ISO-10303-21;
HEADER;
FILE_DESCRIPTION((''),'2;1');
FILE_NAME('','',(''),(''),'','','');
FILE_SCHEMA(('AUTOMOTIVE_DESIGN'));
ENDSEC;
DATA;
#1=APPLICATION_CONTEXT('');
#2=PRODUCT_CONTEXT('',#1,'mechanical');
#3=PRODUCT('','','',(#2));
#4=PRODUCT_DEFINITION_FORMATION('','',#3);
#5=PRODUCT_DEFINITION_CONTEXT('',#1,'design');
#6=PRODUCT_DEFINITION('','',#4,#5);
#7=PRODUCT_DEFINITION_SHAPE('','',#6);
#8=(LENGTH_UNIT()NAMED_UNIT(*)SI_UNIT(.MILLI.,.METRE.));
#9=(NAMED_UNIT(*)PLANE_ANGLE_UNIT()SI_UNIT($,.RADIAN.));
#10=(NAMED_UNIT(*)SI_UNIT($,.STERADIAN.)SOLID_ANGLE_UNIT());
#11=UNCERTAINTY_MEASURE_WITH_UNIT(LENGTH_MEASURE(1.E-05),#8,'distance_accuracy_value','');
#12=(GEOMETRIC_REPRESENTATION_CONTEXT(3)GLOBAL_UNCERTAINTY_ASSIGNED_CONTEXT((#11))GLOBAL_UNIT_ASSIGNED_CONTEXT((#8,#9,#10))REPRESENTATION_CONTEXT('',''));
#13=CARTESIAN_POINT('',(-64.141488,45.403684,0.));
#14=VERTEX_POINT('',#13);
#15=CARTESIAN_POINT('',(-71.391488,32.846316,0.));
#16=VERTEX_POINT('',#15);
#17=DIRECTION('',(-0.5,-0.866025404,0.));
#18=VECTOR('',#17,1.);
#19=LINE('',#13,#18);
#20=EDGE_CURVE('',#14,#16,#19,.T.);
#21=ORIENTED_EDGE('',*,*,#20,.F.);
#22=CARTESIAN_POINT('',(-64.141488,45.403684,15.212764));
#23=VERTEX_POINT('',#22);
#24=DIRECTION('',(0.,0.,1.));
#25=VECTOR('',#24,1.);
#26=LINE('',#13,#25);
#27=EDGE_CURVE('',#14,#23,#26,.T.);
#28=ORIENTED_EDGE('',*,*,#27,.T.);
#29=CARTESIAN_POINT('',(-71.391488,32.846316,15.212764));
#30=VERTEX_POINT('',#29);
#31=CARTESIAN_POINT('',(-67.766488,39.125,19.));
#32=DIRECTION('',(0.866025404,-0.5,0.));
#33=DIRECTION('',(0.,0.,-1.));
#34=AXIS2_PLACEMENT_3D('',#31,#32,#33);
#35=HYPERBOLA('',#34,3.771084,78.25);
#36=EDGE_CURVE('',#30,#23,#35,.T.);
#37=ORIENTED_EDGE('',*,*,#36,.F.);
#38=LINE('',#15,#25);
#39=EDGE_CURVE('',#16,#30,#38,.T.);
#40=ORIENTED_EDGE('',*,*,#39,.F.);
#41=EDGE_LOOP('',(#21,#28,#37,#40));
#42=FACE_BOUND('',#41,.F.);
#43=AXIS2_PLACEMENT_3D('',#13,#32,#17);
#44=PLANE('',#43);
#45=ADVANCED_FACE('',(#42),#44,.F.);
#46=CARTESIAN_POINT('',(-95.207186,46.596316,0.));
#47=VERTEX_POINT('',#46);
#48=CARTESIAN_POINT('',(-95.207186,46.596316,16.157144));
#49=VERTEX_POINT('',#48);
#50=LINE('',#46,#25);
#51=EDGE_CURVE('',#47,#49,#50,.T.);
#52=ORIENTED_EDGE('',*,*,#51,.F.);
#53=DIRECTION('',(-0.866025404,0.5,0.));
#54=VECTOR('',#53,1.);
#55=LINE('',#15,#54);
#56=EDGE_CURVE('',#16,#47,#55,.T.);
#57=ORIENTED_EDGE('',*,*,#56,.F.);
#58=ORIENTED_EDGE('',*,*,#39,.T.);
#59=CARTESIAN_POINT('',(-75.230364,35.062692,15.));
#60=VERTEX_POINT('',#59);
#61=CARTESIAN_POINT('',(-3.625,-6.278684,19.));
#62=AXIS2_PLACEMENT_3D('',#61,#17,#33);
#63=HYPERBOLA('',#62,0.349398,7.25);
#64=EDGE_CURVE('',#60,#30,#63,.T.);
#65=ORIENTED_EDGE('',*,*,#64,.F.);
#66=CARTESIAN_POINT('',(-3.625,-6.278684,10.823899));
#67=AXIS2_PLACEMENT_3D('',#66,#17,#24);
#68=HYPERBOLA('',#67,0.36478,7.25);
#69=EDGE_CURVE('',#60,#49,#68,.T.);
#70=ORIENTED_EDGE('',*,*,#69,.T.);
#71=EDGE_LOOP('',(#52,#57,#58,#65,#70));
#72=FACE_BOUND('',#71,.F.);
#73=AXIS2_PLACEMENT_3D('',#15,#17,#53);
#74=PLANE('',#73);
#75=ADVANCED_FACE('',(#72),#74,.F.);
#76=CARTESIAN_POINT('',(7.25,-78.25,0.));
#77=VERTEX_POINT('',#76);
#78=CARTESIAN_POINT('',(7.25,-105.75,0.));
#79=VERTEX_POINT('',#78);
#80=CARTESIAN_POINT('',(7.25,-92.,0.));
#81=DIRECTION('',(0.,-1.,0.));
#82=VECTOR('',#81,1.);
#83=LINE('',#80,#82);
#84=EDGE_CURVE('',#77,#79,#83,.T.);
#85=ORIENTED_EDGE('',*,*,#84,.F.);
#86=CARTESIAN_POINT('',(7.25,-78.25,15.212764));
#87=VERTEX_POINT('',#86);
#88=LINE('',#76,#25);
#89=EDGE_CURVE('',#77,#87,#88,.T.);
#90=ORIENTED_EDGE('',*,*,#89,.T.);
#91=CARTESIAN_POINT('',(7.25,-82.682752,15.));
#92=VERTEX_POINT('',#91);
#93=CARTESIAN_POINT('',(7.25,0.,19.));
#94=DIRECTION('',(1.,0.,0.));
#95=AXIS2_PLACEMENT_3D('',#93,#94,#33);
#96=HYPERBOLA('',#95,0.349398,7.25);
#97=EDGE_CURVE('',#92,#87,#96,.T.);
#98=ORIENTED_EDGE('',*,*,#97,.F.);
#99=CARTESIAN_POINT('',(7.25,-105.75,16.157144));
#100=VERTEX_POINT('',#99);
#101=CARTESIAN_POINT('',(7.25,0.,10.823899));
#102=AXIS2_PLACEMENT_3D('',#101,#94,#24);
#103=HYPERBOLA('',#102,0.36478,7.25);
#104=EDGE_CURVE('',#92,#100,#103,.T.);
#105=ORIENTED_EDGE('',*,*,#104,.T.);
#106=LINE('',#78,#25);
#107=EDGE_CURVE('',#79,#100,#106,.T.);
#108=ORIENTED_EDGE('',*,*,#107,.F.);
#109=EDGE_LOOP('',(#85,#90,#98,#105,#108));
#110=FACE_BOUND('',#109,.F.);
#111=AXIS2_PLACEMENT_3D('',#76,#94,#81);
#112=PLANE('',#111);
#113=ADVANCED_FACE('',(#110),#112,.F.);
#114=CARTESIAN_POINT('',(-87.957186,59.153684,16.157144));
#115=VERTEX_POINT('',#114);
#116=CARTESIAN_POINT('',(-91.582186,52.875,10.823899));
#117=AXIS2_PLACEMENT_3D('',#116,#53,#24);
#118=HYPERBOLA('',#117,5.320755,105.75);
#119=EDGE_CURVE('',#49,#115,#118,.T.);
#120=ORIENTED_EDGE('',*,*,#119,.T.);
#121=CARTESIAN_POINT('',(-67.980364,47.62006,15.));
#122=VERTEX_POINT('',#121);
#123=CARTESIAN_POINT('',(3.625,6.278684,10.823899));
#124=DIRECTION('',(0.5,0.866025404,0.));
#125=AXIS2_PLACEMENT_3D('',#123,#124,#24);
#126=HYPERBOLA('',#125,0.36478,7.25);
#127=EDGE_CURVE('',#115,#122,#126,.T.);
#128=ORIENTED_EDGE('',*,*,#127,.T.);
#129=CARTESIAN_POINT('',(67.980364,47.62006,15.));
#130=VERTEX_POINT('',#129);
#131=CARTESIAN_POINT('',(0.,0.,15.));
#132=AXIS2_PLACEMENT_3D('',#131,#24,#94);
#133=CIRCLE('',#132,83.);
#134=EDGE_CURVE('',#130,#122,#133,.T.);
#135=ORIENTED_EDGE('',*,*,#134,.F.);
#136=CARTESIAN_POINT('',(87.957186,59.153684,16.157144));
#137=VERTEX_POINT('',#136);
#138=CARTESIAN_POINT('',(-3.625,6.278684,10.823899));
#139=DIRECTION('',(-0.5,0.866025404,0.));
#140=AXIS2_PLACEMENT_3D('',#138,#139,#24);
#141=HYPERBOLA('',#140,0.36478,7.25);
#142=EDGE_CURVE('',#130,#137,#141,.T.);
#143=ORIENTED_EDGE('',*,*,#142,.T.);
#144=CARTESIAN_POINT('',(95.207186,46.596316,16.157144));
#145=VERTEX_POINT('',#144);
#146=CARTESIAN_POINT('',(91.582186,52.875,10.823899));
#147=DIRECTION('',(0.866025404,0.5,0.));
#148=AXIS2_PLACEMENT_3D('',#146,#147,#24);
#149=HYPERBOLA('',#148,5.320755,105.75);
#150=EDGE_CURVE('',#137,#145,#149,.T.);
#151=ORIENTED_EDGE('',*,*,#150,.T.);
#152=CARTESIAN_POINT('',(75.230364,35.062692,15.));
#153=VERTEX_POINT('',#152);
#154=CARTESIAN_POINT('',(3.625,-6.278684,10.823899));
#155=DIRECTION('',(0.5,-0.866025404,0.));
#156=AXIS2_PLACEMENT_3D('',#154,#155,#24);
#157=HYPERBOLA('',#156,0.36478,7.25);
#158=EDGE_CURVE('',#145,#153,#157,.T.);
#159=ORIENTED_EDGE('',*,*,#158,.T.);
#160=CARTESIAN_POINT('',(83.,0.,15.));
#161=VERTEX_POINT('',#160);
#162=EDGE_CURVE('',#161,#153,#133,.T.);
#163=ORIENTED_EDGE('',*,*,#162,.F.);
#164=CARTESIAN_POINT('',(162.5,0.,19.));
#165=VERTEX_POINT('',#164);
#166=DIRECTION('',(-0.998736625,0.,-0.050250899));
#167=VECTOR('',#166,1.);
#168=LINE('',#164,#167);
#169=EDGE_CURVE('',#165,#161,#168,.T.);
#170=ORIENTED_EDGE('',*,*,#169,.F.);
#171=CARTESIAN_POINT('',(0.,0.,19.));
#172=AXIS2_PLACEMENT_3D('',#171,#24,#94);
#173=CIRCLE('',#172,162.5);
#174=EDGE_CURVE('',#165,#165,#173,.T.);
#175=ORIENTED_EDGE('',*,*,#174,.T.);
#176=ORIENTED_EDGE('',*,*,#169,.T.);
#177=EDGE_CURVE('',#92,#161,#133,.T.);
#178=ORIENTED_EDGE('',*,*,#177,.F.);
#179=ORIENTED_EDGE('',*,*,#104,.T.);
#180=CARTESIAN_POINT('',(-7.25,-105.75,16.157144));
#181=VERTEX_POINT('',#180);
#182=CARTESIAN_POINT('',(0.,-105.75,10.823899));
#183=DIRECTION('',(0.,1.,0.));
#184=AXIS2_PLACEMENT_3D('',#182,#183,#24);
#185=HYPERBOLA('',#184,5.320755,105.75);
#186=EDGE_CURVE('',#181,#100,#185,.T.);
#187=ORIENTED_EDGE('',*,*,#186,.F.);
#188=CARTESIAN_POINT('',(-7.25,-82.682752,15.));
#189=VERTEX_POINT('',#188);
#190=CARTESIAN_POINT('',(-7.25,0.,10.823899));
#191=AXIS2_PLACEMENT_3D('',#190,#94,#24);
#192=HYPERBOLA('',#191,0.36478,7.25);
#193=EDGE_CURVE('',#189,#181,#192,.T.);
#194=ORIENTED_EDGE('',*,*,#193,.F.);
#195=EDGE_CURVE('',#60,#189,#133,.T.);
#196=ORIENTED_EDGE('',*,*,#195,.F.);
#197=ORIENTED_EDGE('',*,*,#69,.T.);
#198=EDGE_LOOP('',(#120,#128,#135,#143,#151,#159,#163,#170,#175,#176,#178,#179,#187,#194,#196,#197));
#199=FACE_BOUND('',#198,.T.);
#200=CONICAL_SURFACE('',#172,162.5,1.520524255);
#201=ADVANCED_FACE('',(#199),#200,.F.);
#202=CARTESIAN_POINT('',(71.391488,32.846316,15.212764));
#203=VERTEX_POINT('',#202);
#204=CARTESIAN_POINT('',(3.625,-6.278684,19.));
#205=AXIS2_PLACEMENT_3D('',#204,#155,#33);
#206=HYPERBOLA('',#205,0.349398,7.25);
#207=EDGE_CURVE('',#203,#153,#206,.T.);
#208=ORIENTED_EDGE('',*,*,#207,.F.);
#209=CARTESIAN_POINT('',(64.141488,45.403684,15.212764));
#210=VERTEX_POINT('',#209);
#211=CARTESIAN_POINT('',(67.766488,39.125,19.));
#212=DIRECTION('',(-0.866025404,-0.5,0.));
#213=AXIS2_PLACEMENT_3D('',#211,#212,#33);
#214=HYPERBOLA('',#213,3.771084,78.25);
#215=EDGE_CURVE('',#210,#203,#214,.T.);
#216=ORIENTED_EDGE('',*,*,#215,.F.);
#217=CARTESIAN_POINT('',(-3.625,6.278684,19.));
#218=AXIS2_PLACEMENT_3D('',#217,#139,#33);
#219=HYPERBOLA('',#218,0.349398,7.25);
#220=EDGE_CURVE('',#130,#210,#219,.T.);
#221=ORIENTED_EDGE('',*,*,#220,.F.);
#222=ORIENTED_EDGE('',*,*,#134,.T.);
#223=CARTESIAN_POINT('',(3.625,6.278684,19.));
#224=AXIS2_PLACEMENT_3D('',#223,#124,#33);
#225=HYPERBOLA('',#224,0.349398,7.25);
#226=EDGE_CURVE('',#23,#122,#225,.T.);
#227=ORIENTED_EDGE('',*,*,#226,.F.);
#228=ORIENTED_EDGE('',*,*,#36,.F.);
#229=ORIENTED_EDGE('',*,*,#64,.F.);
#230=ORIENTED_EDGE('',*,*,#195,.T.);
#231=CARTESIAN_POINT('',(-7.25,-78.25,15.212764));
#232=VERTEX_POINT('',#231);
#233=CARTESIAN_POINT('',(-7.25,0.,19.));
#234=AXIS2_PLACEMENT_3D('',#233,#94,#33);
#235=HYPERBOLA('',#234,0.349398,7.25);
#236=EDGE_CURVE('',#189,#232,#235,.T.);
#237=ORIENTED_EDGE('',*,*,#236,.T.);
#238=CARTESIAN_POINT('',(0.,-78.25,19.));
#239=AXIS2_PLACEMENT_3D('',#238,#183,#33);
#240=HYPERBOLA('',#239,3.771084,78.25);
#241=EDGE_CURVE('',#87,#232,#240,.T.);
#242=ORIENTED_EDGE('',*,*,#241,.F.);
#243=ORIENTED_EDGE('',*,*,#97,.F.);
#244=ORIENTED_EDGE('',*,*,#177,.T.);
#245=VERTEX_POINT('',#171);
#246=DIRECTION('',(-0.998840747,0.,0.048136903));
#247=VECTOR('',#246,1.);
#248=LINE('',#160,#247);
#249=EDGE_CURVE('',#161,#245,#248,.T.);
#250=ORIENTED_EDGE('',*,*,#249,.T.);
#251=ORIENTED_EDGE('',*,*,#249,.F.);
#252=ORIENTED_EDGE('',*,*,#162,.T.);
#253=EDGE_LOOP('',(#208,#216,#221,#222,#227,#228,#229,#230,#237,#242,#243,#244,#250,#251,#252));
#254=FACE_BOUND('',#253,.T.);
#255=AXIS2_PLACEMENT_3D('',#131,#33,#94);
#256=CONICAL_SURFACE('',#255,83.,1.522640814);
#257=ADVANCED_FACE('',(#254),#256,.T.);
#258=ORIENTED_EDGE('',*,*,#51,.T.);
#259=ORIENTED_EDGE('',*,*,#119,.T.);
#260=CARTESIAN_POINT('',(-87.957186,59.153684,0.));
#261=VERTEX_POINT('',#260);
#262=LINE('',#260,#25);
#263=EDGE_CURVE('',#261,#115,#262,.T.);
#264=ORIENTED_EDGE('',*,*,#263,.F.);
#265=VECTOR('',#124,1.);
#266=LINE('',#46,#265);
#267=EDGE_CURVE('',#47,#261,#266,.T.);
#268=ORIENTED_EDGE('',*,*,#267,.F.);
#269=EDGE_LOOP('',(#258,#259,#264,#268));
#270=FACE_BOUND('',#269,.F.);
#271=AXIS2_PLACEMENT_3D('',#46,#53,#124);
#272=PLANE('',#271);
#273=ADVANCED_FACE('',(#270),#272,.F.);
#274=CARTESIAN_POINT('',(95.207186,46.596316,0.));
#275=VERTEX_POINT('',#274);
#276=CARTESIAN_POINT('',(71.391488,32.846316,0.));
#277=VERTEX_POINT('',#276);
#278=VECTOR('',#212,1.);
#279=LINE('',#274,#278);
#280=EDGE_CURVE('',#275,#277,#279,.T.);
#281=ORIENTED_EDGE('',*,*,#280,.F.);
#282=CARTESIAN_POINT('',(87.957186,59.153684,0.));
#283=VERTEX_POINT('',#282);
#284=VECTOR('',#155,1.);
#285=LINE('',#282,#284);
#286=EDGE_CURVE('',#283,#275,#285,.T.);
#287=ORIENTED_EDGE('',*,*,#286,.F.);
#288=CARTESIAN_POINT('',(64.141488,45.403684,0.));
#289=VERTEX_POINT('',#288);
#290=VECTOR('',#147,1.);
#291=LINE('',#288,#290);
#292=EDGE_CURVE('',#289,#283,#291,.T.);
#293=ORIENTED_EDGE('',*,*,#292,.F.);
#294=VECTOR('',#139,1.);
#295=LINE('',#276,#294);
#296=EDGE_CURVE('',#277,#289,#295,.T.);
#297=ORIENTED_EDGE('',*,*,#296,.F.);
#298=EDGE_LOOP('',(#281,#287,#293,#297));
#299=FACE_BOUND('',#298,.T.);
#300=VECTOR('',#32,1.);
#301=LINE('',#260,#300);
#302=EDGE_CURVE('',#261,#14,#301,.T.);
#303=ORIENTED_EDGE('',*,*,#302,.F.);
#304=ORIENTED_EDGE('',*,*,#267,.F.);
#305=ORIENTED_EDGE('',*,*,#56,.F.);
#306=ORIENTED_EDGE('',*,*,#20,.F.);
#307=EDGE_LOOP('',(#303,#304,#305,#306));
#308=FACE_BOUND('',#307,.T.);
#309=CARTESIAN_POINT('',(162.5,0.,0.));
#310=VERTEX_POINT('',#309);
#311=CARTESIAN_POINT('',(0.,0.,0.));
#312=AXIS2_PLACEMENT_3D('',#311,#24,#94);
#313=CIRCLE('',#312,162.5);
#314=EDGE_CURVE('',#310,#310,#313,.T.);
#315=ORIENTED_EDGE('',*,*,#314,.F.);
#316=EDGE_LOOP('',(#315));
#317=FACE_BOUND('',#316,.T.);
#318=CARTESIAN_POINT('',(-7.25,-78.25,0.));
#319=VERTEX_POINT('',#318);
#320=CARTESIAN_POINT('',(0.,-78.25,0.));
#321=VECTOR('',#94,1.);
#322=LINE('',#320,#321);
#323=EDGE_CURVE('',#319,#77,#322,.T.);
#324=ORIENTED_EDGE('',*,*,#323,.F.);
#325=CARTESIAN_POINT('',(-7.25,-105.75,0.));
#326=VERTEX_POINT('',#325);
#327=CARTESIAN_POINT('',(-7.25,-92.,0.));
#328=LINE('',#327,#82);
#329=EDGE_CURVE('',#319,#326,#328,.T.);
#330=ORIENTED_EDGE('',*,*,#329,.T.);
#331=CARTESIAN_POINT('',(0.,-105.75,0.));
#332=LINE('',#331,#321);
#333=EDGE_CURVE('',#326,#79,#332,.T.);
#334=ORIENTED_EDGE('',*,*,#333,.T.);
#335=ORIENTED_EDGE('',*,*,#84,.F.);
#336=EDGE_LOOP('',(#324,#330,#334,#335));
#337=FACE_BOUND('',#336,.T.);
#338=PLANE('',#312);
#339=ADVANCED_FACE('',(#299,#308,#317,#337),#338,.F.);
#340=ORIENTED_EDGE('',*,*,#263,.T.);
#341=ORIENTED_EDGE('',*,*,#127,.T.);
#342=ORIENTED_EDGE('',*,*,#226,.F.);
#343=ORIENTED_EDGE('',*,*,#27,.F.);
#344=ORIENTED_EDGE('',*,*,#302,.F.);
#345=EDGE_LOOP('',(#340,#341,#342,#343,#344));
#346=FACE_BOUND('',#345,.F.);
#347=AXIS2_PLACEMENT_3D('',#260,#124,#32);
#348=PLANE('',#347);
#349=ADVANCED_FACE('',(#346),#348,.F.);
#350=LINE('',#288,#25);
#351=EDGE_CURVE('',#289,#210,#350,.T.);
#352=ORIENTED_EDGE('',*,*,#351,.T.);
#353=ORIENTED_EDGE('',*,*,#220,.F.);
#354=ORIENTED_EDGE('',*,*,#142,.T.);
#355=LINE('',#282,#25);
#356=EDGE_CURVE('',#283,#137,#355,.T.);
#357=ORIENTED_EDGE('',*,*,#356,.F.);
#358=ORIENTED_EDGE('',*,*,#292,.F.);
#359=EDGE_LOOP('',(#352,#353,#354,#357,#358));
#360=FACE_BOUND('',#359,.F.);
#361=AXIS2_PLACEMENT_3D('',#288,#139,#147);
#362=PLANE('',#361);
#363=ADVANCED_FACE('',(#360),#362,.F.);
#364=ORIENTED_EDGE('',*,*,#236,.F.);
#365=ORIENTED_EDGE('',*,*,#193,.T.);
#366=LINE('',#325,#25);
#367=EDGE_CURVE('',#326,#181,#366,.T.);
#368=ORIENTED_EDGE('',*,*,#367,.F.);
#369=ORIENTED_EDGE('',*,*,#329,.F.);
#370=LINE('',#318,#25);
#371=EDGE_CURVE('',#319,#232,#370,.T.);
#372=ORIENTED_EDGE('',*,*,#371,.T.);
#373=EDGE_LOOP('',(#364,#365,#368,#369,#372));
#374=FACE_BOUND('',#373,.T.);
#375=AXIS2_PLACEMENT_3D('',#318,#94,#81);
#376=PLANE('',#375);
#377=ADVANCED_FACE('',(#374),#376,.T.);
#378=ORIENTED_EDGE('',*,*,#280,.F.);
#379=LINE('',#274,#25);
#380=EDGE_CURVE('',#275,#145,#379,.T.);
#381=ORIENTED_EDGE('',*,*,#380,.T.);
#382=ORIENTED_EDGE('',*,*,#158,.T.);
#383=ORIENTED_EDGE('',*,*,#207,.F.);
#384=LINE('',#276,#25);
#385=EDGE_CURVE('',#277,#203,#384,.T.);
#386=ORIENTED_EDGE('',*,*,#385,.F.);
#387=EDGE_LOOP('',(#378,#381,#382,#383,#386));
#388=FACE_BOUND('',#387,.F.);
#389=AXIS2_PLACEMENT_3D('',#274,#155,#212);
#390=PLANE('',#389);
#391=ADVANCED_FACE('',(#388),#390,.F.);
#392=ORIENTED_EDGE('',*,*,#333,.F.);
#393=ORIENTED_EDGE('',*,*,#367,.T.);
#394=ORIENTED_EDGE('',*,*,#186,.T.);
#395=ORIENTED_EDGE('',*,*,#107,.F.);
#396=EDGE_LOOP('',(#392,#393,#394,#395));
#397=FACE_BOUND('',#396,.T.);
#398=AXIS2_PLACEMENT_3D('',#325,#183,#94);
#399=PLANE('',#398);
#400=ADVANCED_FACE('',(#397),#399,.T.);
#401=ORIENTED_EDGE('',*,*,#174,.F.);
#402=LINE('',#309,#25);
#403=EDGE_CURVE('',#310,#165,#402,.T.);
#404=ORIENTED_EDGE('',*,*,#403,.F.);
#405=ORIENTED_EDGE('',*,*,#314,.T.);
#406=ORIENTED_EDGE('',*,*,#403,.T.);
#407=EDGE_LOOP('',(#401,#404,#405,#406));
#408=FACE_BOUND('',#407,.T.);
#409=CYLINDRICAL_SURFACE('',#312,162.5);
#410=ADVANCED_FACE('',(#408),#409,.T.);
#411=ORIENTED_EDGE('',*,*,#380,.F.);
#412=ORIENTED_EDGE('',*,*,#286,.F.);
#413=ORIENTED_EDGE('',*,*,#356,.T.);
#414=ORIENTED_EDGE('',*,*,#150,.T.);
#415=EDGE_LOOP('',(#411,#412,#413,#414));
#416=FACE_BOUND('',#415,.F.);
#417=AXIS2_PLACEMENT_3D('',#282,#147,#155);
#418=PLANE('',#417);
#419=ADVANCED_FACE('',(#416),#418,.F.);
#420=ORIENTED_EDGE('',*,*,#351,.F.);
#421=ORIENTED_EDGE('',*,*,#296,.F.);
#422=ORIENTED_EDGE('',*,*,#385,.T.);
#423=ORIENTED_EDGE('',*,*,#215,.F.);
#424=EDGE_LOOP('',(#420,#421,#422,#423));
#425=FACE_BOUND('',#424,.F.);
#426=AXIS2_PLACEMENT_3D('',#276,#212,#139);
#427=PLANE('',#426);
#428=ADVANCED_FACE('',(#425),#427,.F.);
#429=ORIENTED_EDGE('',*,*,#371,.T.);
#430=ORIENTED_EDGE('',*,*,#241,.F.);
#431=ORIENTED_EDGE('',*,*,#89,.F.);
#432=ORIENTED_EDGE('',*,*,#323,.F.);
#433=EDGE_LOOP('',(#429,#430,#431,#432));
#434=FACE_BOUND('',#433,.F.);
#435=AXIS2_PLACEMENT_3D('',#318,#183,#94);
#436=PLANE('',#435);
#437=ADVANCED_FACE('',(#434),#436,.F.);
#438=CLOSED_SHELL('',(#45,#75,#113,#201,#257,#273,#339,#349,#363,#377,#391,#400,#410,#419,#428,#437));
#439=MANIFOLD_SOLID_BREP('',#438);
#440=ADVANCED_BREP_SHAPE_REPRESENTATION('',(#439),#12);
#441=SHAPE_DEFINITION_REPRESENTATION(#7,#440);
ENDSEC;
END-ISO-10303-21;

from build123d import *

# Parameters (mm, degrees)
F2_W     = 14.5
F2_H     = 27.5
F3_DEPTH = 16.158143704


with BuildPart() as f1:
    # F0 (on Front) → F1 (revolve)
    with BuildSketch(Plane.XZ):
        Polygon((0, 19), (0, 0), (162.5, 0), (162.5, 19), (83, 15), align=None)
    revolve(axis=Axis((0, 0, 9.5), (0, 0, 1)))

    # F2 (on face) → F3 (cut, through all)
    with BuildSketch(Plane(origin=(0, 0, 0), x_dir=(1, 0, 0), z_dir=(0, 0, -1))):
        with Locations((0, 92)):
            Rectangle(F2_W, F2_H)
        Polygon((-71.3914878461, -32.8463158226), (-95.2071864502, -46.5963158226), (-87.9571864502, -59.1536841774), (-64.1414878461, -45.4036841774), align=None)
        Polygon((64.1414878461, -45.4036841774), (87.9571864502, -59.1536841774), (95.2071864502, -46.5963158226), (71.3914878461, -32.8463158226), align=None)
    extrude(amount=-F3_DEPTH, mode=Mode.SUBTRACT)


solid = f1.part
